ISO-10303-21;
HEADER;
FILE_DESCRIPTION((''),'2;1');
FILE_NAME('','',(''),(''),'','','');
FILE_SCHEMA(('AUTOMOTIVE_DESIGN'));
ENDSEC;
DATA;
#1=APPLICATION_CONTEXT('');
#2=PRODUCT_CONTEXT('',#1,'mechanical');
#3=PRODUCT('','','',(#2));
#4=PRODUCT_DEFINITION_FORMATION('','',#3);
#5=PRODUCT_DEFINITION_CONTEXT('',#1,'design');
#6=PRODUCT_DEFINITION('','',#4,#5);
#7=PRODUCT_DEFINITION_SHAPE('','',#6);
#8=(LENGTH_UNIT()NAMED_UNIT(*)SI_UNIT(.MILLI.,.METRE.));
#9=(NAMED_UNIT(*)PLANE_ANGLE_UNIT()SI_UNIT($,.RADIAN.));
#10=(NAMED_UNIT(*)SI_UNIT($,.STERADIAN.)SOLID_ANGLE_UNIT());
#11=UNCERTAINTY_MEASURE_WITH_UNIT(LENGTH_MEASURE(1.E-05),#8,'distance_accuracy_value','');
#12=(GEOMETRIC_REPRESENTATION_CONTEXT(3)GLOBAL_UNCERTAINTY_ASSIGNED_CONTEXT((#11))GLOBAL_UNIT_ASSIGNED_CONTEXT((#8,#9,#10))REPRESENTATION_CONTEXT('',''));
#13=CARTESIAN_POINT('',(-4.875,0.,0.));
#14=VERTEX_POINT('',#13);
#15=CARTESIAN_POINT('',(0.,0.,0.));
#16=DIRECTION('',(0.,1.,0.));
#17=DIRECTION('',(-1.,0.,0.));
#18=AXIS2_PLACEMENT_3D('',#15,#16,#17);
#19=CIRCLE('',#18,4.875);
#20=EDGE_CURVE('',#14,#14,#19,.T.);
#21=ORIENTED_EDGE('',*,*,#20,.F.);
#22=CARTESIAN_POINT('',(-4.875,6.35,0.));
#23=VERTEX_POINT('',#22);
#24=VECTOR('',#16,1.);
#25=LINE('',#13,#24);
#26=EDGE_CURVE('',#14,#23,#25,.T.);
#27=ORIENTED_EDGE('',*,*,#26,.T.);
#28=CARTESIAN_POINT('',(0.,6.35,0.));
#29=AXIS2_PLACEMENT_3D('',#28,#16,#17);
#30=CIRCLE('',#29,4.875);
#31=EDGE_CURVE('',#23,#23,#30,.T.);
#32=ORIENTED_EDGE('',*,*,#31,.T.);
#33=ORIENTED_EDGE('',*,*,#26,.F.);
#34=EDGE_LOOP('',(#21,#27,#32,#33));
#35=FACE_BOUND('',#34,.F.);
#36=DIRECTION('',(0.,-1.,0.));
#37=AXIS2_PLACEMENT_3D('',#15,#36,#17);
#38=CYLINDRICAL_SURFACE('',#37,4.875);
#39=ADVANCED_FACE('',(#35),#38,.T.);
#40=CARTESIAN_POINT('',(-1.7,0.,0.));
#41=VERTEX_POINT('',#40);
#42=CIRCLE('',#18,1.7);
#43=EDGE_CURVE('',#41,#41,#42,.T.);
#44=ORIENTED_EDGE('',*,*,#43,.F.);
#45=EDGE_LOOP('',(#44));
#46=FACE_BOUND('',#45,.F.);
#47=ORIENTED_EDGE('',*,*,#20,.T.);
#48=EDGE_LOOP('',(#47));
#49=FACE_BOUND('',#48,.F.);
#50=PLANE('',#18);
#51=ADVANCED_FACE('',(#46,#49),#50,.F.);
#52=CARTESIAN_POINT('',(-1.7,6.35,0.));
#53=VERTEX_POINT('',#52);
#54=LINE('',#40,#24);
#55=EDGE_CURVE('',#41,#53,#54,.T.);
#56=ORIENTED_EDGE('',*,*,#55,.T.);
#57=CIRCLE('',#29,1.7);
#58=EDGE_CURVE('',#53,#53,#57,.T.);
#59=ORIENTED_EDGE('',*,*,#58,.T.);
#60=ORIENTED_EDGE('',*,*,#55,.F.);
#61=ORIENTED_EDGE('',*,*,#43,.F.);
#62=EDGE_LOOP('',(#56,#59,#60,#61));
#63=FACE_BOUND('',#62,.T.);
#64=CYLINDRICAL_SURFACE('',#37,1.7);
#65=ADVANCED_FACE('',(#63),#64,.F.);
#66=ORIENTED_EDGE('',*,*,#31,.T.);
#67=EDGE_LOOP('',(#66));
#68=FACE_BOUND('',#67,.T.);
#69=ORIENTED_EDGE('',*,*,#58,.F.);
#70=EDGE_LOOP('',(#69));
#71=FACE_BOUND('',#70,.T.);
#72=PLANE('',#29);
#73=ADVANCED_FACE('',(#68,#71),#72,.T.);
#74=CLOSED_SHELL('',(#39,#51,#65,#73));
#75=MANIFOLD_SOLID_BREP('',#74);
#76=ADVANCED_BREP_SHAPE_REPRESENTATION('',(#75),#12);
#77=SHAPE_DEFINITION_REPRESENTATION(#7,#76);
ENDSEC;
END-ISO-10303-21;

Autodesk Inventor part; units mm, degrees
ref_plane "YZ Plane" through (0, 0, 0) normal (1, 0, 0) x (0, 1, 0)
ref_plane "XZ Plane" through (0, 0, 0) normal (0, 1, 0) x (-1, 0, 0)
ref_plane "XY Plane" through (0, 0, 0) normal (0, 0, 1) x (1, 0, 0)
sketch "Sketch1" plane through (0, 0, 0) normal (0, 1, 0) x (-1, 0, 0)
  circle A0 centre (0, 0) radius 1.7
  circle A1 centre (0, 0) radius 4.875
  dimension "d0" = 3.175
  dimension "d1" = 3.4
extrude "Extrusion1" add sketch "Sketch1" along normal blind 6.35
properties part number "spacer for mounting pcb"
